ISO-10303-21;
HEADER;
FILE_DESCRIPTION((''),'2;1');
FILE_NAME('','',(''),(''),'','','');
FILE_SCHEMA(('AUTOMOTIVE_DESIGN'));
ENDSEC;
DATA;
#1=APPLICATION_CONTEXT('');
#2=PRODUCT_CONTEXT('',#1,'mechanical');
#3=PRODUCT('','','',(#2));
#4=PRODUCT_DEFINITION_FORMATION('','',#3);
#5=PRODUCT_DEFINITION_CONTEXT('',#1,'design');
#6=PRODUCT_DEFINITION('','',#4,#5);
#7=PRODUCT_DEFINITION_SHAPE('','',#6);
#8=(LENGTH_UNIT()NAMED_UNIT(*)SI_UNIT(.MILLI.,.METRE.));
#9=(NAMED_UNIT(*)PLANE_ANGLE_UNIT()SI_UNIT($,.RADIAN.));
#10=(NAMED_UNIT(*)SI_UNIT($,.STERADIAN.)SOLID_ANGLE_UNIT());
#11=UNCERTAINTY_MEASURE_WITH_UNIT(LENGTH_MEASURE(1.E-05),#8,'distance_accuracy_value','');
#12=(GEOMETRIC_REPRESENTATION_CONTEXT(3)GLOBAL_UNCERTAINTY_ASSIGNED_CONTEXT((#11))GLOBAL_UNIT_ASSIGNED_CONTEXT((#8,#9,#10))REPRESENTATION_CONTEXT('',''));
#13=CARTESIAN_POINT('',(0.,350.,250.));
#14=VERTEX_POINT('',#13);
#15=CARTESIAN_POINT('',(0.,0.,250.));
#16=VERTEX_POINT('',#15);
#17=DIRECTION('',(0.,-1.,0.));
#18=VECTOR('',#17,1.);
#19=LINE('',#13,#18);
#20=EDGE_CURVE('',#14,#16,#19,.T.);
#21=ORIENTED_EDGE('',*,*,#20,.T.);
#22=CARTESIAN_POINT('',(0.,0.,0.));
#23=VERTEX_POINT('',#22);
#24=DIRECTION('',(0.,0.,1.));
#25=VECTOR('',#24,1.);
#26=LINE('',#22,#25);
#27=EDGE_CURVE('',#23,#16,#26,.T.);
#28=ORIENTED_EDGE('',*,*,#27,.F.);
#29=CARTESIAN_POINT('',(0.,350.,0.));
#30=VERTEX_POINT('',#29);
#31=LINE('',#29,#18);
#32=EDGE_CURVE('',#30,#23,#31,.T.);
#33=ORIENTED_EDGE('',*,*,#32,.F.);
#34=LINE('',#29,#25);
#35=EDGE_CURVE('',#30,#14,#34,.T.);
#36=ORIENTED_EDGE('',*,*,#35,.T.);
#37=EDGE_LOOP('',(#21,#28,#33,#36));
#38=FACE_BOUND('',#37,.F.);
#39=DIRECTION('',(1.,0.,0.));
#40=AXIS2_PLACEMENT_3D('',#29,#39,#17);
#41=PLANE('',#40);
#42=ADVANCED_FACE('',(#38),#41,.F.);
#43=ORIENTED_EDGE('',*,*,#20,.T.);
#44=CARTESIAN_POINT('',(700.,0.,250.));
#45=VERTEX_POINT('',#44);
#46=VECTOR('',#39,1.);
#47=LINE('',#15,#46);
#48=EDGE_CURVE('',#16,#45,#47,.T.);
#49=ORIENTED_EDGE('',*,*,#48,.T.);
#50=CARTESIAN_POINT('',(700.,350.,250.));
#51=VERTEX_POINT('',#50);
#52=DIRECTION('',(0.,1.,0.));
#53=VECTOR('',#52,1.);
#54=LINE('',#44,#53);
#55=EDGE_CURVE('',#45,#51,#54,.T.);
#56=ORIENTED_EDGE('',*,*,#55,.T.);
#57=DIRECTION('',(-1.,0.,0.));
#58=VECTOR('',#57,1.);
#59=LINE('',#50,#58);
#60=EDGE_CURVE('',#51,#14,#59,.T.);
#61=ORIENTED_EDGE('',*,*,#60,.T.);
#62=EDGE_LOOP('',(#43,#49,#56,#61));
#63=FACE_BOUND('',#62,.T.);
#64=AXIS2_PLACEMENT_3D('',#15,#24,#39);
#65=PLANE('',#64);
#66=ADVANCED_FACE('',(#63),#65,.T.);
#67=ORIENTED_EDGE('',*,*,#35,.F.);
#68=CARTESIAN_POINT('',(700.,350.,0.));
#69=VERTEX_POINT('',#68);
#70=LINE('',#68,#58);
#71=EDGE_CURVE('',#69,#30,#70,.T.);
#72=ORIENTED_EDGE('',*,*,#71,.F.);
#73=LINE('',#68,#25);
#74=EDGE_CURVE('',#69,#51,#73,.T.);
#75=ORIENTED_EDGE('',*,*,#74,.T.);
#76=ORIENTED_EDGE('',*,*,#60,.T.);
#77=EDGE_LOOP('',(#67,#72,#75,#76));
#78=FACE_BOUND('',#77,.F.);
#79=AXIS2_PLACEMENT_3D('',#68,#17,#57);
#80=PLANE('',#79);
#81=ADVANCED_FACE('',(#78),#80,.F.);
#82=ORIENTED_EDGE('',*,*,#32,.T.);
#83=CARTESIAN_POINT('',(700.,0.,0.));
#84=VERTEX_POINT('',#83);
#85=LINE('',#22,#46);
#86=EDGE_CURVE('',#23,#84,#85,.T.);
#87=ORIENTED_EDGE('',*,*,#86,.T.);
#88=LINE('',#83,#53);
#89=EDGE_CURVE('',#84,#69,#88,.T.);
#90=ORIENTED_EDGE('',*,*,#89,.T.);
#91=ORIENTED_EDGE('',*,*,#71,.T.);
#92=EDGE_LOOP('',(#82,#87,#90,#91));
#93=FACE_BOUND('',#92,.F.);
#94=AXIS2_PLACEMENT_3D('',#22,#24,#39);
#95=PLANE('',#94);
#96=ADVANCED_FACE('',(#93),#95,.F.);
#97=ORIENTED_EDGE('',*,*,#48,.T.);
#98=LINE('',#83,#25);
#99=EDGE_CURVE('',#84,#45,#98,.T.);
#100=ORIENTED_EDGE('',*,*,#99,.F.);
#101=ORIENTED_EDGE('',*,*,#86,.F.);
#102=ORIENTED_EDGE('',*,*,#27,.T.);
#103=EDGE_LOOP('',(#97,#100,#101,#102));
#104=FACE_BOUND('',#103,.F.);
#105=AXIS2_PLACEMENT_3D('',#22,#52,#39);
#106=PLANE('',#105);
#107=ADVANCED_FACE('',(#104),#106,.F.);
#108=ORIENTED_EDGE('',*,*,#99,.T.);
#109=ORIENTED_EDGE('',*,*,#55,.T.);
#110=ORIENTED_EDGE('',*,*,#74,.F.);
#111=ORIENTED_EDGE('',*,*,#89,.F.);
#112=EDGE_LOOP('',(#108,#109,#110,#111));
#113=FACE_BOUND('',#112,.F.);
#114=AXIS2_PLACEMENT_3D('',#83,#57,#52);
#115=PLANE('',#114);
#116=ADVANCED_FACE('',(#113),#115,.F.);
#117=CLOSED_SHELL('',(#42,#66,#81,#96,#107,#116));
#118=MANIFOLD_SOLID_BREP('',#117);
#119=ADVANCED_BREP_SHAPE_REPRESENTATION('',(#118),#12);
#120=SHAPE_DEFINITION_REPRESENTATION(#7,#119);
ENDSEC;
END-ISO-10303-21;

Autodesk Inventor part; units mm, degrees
ref_plane "YZ Plane" through (0, 0, 0) normal (1, 0, 0) x (0, 1, 0)
ref_plane "XZ Plane" through (0, 0, 0) normal (0, 1, 0) x (-1, 0, 0)
ref_plane "XY Plane" through (0, 0, 0) normal (0, 0, 1) x (1, 0, 0)
sketch "スケッチ1" plane through (0, 0, 0) normal (0, 0, 1) x (1, 0, 0)
  line L0 (0, 0) -> (700, 0)
  line L1 (700, 0) -> (700, 350)
  line L2 (700, 350) -> (0, 350)
  line L3 (0, 350) -> (0, 0)
  dimension "d0" = 700
  dimension "d1" = 350
extrude "押し出し1" add sketch "スケッチ1" along normal blind 250
properties part number "測定ボックス" material "空気"
